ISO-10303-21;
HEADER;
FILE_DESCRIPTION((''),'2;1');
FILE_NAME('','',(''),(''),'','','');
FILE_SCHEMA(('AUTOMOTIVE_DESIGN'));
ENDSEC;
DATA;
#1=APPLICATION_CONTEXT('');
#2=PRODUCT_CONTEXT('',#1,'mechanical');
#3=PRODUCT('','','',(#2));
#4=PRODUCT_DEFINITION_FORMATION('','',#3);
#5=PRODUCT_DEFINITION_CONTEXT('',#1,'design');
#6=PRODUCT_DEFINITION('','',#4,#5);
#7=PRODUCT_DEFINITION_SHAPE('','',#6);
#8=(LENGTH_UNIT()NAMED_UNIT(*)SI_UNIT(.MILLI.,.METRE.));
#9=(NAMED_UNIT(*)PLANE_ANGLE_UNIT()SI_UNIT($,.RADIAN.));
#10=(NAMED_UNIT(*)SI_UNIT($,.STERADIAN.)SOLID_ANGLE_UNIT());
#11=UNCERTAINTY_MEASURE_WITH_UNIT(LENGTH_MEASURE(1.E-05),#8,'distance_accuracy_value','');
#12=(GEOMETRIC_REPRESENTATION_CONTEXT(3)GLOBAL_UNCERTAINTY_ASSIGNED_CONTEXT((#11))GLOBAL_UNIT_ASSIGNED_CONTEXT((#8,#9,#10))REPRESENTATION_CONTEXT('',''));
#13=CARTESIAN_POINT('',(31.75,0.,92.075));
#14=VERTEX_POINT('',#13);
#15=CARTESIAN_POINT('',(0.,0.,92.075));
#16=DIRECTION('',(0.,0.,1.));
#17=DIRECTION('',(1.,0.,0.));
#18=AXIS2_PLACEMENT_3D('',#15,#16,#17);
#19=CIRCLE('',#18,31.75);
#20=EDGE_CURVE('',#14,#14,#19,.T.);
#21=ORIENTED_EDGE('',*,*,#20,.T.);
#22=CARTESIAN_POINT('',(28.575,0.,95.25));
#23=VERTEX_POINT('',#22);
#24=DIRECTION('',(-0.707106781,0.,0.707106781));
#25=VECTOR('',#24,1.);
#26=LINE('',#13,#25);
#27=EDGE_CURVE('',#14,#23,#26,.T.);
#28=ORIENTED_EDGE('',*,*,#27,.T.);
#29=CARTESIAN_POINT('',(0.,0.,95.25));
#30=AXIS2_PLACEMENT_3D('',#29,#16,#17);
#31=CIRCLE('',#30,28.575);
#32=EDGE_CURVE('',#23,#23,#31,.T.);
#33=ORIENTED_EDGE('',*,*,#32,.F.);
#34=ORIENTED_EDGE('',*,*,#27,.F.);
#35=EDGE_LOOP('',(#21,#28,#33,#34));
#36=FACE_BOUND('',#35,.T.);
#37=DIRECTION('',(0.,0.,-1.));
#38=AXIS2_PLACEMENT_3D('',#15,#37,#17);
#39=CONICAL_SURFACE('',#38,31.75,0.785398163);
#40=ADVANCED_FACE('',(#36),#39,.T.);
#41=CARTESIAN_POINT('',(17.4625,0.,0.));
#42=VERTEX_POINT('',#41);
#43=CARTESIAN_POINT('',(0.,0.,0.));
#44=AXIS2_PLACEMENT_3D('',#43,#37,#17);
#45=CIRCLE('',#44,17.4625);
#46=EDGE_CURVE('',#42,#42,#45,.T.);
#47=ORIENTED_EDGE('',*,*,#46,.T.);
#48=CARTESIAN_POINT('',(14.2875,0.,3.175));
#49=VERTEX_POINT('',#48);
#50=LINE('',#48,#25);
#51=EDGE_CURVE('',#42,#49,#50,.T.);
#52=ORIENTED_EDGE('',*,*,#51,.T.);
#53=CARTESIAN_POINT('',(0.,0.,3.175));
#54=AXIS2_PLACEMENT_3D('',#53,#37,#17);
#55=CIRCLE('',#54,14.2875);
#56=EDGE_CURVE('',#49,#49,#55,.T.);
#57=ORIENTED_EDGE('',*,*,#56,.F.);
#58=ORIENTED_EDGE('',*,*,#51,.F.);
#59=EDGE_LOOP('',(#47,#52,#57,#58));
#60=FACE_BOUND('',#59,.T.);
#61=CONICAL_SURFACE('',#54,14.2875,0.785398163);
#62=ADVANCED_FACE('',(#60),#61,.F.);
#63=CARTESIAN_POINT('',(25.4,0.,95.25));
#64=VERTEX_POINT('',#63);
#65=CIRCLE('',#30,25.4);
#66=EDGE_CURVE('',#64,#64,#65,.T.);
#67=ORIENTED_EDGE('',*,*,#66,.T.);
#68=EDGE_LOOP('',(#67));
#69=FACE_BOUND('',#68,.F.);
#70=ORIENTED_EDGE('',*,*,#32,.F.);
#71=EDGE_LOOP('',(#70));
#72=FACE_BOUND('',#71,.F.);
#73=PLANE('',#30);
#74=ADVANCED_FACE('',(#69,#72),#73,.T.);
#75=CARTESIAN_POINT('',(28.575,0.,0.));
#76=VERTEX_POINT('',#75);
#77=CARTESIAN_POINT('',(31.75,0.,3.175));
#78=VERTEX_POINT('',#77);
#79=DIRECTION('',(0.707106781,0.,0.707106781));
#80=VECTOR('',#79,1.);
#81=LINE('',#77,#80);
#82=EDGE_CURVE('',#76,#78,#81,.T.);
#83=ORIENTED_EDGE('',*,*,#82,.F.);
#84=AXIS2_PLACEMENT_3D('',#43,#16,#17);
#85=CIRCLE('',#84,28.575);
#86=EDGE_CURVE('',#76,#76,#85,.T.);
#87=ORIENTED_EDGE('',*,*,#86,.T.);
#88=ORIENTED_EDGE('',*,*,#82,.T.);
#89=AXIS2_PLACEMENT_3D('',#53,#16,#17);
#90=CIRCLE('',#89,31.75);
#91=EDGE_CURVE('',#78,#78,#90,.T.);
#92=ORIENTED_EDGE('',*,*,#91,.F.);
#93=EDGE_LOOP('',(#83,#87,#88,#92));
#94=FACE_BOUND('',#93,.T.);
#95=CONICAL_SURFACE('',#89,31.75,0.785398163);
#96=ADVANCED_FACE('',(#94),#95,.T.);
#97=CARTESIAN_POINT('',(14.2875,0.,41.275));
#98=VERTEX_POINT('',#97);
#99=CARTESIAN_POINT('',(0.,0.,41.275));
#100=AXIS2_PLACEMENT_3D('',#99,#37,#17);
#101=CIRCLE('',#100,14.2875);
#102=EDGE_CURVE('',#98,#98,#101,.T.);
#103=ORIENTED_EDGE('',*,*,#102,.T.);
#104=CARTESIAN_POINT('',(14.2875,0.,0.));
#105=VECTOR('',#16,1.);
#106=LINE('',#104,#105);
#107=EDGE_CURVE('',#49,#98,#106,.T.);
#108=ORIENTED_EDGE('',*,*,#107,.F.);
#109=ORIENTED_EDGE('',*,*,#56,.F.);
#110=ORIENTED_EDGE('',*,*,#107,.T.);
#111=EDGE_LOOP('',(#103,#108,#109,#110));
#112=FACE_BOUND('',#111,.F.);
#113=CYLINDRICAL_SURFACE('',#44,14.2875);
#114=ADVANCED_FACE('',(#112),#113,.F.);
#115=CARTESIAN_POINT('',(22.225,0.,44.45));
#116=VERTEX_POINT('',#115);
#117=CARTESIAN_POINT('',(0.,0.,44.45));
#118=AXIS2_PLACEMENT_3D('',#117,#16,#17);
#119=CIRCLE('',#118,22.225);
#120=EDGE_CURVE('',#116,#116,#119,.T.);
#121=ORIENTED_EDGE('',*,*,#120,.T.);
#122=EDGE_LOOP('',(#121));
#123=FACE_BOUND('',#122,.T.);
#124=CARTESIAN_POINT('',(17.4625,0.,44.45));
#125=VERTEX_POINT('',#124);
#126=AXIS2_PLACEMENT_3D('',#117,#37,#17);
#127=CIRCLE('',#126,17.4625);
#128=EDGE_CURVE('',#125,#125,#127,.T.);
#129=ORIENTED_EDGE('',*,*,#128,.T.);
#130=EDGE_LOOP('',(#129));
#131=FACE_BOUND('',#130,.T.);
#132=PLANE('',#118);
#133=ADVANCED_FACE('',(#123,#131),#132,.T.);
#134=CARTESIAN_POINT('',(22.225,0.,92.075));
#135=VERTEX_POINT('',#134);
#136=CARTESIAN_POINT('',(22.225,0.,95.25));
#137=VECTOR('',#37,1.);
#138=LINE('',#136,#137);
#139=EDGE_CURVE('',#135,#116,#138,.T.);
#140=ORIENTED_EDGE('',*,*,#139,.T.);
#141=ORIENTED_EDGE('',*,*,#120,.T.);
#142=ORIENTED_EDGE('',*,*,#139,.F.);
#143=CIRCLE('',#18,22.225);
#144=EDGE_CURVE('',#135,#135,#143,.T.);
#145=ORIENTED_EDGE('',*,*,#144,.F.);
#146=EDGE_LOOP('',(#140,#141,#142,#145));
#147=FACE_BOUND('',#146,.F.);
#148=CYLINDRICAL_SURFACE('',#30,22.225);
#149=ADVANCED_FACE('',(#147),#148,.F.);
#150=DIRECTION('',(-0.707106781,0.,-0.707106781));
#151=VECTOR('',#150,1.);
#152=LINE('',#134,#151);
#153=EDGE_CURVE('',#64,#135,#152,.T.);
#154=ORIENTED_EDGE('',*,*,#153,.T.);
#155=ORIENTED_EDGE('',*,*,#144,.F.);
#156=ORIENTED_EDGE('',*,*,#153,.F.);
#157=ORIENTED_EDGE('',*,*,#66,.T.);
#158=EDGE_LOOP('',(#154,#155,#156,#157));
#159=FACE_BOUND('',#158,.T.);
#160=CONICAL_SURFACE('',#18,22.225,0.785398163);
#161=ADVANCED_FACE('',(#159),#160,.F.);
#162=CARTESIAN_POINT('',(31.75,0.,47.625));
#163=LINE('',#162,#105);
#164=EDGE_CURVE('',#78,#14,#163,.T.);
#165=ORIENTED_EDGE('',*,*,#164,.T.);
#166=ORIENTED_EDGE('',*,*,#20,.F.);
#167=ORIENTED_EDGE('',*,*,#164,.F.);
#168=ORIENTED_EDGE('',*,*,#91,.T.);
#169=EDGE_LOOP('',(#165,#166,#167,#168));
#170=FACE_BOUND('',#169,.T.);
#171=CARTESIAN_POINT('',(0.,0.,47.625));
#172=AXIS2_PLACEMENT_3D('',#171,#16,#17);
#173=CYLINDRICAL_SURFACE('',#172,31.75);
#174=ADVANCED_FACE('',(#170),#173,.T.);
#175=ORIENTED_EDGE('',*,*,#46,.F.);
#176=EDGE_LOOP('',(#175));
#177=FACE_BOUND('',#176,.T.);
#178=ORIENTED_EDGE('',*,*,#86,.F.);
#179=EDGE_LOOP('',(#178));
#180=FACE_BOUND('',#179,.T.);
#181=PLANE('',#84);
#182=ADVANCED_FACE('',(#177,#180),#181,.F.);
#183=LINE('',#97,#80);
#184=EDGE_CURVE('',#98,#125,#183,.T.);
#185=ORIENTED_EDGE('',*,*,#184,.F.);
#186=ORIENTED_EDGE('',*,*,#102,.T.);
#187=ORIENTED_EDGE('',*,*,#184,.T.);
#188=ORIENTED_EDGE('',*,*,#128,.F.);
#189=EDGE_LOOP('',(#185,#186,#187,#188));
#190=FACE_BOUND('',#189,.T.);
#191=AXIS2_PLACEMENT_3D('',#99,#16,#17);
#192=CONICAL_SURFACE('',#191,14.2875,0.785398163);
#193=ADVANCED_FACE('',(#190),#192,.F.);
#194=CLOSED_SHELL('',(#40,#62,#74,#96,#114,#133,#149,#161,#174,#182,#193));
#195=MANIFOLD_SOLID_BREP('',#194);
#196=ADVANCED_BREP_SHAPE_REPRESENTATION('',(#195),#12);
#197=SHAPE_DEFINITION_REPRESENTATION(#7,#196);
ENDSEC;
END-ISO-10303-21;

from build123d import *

# Parameters (mm, degrees)
F0_W     = 31.75
F0_H     = 95.25
F2_R     = 22.225
F3_DEPTH = 50.8
F4_R     = 14.2875
F5_DEPTH = 95.251
F6_SIZE  = 3.175


with BuildPart() as f1:
    # F0 (on Front) → F1 (revolve)
    with BuildSketch(Plane.XZ):
        with Locations((15.875, 47.625)):
            Rectangle(F0_W, F0_H)
    revolve(axis=Axis((0, 0, 30.3924912523), (0, 0, 1)))

    # F2 (on face) → F3 (cut)
    with BuildSketch(Plane.XY.offset(95.25)):
        Circle(F2_R)
    extrude(amount=-F3_DEPTH, mode=Mode.SUBTRACT)

    # F4 (on face) → F5 (cut, through all)
    with BuildSketch(Plane(origin=(0, 0, 0), x_dir=(1, 0, 0), z_dir=(0, 0, -1))):
        Circle(F4_R)
    extrude(amount=-F5_DEPTH, mode=Mode.SUBTRACT)

    # F6
    f6_edges = [f1.edges().sort_by_distance(p)[0] for p in [
        (-31.75, 0, 0),
        (-31.75, 0, 95.25),
        (-22.225, 0, 95.25),
        (-14.2875, 0, 44.45),
        (-14.2875, 0, 0),
        (14.2875, 0, 22.225),
    ]]
    chamfer(f6_edges, length=F6_SIZE)


solid = f1.part
